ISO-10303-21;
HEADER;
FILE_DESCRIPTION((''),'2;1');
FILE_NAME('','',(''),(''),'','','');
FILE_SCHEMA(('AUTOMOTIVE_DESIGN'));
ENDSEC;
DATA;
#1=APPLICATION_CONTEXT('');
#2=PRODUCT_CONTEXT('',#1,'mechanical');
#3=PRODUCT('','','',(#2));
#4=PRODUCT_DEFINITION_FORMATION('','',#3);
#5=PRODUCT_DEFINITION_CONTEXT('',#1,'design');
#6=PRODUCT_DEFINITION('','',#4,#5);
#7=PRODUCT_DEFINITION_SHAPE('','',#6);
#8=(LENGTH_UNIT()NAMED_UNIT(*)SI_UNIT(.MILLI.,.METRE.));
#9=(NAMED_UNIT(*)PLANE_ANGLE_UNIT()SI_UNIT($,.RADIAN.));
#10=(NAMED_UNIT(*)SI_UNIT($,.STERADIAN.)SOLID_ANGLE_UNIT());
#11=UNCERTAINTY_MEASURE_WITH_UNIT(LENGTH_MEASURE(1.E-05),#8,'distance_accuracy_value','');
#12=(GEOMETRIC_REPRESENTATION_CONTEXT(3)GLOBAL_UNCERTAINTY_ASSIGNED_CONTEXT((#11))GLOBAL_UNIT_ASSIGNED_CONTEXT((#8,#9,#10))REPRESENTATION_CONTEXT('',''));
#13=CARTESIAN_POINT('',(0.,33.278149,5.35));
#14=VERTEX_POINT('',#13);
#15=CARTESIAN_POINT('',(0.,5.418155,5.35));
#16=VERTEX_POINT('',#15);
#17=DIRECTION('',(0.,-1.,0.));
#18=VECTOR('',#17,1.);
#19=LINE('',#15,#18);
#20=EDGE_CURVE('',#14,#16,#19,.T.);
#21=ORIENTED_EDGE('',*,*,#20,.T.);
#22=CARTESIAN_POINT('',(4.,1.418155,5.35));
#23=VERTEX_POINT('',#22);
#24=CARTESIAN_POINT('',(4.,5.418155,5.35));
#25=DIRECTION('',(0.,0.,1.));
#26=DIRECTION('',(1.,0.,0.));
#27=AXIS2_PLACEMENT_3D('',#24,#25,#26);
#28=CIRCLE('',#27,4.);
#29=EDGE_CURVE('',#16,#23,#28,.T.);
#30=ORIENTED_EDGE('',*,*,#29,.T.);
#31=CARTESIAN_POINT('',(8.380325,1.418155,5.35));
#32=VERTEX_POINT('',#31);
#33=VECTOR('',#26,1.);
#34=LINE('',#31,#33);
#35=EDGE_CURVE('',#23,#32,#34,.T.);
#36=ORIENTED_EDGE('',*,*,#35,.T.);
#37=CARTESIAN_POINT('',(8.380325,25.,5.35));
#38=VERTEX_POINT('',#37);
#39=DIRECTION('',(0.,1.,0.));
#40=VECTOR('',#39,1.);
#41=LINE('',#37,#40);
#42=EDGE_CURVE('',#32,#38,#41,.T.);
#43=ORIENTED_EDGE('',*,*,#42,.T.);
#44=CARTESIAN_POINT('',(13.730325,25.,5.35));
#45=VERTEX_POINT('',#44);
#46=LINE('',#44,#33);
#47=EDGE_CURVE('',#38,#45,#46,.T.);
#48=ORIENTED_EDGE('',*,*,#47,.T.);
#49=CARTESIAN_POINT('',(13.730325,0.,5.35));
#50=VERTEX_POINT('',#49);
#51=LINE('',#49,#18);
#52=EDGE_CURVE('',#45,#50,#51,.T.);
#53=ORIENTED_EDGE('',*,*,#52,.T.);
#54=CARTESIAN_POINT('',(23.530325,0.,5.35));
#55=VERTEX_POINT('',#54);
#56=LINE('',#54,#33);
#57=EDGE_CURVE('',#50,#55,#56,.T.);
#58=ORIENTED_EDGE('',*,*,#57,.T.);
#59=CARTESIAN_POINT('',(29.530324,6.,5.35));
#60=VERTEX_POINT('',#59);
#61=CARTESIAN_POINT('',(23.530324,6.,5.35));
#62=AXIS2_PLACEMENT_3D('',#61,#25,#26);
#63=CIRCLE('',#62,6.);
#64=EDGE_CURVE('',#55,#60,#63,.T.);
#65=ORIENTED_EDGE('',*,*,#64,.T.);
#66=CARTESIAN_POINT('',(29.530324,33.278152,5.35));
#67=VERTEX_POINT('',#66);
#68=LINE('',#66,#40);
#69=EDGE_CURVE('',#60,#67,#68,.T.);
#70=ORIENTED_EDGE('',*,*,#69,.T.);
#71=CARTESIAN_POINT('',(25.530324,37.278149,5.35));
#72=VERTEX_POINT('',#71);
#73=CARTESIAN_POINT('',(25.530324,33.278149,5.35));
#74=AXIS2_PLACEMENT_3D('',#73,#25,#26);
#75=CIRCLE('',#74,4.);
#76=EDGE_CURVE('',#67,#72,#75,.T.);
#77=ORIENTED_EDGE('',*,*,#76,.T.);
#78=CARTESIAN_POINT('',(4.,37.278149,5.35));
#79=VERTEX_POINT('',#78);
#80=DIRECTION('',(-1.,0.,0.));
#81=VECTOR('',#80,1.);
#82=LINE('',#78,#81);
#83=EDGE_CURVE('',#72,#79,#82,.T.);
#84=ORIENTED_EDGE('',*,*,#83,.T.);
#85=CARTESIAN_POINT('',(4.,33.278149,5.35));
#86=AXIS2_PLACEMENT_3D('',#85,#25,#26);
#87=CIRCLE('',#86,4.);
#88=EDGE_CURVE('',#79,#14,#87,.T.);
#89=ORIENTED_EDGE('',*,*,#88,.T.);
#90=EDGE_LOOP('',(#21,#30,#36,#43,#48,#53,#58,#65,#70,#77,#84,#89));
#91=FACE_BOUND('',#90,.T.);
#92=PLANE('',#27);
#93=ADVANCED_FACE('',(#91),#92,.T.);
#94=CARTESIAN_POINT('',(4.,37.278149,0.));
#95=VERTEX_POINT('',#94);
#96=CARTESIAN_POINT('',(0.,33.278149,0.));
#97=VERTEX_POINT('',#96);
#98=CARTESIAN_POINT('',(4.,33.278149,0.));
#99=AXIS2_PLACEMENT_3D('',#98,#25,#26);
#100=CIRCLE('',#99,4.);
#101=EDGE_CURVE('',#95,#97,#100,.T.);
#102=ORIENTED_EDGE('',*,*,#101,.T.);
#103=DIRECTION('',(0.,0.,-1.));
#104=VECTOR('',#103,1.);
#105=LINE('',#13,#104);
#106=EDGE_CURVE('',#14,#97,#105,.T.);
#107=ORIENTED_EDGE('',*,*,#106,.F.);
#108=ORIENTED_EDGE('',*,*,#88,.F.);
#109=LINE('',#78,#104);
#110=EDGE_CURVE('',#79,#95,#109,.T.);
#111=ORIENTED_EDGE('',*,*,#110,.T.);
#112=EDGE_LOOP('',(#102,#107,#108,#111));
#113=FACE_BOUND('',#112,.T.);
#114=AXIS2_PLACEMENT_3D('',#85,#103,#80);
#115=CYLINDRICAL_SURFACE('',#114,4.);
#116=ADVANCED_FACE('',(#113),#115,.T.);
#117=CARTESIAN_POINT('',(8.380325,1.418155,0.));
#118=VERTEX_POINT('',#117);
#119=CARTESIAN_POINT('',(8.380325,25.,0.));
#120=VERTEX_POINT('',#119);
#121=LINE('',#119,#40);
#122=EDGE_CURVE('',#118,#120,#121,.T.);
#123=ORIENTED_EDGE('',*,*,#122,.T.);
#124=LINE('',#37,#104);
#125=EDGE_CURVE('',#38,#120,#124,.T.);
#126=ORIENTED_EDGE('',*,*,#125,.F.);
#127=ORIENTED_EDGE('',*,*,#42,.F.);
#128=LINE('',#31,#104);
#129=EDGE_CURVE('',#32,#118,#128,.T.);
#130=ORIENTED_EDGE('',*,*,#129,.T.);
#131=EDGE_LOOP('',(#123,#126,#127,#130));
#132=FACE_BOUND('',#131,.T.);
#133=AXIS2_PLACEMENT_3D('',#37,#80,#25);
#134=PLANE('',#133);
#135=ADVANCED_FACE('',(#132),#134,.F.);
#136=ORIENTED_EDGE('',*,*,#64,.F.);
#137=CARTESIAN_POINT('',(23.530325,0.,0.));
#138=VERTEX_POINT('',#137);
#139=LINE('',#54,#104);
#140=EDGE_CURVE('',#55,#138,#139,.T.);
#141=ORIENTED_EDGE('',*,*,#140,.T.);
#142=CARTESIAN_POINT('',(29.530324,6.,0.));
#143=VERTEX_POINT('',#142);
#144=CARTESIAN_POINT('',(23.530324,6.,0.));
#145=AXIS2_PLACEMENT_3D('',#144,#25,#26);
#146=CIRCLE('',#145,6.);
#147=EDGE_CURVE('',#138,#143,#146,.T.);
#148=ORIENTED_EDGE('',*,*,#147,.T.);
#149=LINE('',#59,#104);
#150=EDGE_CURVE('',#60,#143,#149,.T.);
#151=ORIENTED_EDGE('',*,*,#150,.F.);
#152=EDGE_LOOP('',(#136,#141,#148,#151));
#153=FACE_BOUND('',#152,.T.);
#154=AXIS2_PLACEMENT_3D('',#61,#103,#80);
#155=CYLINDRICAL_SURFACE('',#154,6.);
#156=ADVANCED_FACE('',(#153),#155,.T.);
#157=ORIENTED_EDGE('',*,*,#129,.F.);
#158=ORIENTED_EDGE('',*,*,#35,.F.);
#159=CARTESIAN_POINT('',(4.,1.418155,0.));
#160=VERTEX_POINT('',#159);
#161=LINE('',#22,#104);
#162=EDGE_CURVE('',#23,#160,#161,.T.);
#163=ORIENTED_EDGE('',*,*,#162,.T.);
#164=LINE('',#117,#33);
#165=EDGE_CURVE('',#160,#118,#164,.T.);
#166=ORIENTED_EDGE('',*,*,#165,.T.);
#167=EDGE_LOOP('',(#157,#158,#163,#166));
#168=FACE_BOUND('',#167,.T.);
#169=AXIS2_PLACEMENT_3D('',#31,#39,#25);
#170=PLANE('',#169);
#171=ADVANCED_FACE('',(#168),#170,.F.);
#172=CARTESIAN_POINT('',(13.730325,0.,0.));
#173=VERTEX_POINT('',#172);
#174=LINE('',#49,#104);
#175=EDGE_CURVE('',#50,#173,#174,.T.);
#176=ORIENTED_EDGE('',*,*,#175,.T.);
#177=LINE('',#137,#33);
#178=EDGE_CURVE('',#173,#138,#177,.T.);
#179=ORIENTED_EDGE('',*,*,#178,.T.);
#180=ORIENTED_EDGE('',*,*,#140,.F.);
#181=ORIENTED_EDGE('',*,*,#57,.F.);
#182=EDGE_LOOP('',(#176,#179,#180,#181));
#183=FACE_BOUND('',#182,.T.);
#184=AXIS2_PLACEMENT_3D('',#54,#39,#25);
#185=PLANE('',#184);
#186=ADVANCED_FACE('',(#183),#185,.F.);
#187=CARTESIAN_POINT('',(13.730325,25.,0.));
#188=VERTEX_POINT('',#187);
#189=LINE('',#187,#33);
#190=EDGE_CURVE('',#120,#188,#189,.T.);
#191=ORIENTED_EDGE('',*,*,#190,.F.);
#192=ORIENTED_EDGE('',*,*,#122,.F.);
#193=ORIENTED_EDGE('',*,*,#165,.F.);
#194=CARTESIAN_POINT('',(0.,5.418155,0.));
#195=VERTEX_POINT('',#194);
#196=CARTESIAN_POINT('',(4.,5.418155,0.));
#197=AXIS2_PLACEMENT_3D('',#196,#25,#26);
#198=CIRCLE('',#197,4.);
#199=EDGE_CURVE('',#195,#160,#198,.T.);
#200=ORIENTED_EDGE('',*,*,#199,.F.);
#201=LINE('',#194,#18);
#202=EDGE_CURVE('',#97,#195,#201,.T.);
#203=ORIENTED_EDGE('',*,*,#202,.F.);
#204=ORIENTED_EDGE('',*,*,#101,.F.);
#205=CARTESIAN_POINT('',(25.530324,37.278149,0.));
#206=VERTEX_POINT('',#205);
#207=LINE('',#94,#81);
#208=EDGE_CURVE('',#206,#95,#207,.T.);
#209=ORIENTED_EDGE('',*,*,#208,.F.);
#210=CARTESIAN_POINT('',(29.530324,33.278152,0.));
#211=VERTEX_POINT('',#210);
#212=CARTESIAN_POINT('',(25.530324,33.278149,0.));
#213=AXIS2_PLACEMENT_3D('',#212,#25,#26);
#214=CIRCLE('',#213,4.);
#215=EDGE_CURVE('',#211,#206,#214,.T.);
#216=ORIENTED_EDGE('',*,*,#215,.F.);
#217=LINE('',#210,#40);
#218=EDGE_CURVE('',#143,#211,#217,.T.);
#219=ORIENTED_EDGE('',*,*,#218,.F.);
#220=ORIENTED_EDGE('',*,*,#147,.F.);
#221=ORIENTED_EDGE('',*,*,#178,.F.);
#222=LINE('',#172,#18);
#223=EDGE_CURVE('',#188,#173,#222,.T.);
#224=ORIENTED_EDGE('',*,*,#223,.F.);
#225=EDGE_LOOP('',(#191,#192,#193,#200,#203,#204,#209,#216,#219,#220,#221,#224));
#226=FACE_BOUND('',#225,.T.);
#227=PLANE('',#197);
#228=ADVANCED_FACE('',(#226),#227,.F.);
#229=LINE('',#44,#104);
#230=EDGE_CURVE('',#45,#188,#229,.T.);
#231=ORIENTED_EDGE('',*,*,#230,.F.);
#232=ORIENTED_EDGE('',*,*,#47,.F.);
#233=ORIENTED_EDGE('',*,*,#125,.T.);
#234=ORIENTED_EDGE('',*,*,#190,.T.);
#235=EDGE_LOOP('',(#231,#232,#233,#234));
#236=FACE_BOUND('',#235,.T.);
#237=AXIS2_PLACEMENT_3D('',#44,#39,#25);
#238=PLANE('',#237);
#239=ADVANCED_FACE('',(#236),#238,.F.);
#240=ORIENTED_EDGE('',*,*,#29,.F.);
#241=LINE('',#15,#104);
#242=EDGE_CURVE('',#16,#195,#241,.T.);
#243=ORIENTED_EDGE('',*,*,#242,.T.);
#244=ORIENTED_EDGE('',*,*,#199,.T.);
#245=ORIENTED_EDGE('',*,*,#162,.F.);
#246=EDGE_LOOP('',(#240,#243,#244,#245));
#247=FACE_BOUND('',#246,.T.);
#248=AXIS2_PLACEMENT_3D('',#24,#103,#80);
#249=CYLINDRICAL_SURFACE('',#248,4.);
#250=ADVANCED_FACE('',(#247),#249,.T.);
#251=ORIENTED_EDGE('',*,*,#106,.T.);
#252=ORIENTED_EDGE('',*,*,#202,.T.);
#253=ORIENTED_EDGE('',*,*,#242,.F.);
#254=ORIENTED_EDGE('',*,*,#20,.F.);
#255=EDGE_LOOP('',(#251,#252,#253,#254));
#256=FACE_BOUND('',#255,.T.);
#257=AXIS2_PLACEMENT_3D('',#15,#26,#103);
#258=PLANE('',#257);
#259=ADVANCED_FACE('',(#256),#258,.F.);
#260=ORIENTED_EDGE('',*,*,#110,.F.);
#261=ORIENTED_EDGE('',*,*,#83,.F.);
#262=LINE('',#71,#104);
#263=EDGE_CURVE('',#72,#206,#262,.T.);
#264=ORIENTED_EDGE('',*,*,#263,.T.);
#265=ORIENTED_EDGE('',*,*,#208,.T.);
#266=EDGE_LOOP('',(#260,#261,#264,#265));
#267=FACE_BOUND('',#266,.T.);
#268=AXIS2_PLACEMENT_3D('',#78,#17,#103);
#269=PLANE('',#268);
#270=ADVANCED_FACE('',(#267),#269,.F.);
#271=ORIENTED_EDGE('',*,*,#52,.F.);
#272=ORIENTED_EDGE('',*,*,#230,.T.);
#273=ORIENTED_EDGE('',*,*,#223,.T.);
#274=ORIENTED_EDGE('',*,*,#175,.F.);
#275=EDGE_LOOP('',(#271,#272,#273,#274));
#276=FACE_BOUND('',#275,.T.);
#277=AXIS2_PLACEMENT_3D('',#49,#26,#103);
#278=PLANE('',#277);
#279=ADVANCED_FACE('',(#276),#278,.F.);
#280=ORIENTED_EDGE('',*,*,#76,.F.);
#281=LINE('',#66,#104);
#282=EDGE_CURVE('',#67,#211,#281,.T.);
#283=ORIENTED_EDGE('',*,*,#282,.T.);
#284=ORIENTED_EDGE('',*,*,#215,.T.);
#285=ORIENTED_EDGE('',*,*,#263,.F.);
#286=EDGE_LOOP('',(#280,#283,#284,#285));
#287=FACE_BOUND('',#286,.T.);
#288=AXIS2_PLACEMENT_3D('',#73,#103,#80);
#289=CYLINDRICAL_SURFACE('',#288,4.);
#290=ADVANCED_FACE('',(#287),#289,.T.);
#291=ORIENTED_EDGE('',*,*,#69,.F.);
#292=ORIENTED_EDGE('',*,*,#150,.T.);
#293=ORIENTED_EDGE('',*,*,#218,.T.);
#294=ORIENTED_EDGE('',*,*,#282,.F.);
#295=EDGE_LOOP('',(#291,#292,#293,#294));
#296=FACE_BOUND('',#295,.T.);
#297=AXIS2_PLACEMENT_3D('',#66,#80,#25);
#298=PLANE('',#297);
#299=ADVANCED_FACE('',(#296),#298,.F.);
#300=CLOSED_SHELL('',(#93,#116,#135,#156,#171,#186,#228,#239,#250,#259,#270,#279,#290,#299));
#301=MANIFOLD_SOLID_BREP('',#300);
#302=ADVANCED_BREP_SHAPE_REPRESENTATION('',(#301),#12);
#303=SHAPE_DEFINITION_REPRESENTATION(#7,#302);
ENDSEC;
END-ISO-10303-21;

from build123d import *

# Parameters (mm, degrees)
BOSS_EXTRUDE1_DEPTH = 5.35


with BuildPart() as part:
    # Model → Boss-Extrude1 (new body)
    with BuildSketch(Plane.XY):
        with BuildLine():
            Line((23.530324921, 0), (13.730324805, 0))
            Line((13.730324805, 0), (13.730324805, 25.000000373))
            Line((13.730324805, 25.000000373), (8.38032458, 25.000000373))
            Line((8.38032458, 25.000000373), (8.38032458, 1.418154687))
            Line((8.38032458, 1.418154687), (4, 1.418154687))
            ThreePointArc((4, 1.418154687), (1.171572808, 2.589727629), (0, 5.418154877))
            Line((0, 5.418154877), (0, 33.278149277))
            ThreePointArc((0, 33.278149277), (1.171572778, 36.106576304), (3.999999724, 37.278149277))
            Line((3.999999724, 37.278149277), (25.530324042, 37.278149277))
            ThreePointArc((25.530324042, 37.278149277), (28.358750081, 36.106577487), (29.530324042, 33.278152347))
            Line((29.530324042, 33.278152347), (29.530324042, 6))
            ThreePointArc((29.530324042, 6), (27.77296504, 1.757359624), (23.530324921, 0))
        make_face()
    extrude(amount=BOSS_EXTRUDE1_DEPTH)


solid = part.part
